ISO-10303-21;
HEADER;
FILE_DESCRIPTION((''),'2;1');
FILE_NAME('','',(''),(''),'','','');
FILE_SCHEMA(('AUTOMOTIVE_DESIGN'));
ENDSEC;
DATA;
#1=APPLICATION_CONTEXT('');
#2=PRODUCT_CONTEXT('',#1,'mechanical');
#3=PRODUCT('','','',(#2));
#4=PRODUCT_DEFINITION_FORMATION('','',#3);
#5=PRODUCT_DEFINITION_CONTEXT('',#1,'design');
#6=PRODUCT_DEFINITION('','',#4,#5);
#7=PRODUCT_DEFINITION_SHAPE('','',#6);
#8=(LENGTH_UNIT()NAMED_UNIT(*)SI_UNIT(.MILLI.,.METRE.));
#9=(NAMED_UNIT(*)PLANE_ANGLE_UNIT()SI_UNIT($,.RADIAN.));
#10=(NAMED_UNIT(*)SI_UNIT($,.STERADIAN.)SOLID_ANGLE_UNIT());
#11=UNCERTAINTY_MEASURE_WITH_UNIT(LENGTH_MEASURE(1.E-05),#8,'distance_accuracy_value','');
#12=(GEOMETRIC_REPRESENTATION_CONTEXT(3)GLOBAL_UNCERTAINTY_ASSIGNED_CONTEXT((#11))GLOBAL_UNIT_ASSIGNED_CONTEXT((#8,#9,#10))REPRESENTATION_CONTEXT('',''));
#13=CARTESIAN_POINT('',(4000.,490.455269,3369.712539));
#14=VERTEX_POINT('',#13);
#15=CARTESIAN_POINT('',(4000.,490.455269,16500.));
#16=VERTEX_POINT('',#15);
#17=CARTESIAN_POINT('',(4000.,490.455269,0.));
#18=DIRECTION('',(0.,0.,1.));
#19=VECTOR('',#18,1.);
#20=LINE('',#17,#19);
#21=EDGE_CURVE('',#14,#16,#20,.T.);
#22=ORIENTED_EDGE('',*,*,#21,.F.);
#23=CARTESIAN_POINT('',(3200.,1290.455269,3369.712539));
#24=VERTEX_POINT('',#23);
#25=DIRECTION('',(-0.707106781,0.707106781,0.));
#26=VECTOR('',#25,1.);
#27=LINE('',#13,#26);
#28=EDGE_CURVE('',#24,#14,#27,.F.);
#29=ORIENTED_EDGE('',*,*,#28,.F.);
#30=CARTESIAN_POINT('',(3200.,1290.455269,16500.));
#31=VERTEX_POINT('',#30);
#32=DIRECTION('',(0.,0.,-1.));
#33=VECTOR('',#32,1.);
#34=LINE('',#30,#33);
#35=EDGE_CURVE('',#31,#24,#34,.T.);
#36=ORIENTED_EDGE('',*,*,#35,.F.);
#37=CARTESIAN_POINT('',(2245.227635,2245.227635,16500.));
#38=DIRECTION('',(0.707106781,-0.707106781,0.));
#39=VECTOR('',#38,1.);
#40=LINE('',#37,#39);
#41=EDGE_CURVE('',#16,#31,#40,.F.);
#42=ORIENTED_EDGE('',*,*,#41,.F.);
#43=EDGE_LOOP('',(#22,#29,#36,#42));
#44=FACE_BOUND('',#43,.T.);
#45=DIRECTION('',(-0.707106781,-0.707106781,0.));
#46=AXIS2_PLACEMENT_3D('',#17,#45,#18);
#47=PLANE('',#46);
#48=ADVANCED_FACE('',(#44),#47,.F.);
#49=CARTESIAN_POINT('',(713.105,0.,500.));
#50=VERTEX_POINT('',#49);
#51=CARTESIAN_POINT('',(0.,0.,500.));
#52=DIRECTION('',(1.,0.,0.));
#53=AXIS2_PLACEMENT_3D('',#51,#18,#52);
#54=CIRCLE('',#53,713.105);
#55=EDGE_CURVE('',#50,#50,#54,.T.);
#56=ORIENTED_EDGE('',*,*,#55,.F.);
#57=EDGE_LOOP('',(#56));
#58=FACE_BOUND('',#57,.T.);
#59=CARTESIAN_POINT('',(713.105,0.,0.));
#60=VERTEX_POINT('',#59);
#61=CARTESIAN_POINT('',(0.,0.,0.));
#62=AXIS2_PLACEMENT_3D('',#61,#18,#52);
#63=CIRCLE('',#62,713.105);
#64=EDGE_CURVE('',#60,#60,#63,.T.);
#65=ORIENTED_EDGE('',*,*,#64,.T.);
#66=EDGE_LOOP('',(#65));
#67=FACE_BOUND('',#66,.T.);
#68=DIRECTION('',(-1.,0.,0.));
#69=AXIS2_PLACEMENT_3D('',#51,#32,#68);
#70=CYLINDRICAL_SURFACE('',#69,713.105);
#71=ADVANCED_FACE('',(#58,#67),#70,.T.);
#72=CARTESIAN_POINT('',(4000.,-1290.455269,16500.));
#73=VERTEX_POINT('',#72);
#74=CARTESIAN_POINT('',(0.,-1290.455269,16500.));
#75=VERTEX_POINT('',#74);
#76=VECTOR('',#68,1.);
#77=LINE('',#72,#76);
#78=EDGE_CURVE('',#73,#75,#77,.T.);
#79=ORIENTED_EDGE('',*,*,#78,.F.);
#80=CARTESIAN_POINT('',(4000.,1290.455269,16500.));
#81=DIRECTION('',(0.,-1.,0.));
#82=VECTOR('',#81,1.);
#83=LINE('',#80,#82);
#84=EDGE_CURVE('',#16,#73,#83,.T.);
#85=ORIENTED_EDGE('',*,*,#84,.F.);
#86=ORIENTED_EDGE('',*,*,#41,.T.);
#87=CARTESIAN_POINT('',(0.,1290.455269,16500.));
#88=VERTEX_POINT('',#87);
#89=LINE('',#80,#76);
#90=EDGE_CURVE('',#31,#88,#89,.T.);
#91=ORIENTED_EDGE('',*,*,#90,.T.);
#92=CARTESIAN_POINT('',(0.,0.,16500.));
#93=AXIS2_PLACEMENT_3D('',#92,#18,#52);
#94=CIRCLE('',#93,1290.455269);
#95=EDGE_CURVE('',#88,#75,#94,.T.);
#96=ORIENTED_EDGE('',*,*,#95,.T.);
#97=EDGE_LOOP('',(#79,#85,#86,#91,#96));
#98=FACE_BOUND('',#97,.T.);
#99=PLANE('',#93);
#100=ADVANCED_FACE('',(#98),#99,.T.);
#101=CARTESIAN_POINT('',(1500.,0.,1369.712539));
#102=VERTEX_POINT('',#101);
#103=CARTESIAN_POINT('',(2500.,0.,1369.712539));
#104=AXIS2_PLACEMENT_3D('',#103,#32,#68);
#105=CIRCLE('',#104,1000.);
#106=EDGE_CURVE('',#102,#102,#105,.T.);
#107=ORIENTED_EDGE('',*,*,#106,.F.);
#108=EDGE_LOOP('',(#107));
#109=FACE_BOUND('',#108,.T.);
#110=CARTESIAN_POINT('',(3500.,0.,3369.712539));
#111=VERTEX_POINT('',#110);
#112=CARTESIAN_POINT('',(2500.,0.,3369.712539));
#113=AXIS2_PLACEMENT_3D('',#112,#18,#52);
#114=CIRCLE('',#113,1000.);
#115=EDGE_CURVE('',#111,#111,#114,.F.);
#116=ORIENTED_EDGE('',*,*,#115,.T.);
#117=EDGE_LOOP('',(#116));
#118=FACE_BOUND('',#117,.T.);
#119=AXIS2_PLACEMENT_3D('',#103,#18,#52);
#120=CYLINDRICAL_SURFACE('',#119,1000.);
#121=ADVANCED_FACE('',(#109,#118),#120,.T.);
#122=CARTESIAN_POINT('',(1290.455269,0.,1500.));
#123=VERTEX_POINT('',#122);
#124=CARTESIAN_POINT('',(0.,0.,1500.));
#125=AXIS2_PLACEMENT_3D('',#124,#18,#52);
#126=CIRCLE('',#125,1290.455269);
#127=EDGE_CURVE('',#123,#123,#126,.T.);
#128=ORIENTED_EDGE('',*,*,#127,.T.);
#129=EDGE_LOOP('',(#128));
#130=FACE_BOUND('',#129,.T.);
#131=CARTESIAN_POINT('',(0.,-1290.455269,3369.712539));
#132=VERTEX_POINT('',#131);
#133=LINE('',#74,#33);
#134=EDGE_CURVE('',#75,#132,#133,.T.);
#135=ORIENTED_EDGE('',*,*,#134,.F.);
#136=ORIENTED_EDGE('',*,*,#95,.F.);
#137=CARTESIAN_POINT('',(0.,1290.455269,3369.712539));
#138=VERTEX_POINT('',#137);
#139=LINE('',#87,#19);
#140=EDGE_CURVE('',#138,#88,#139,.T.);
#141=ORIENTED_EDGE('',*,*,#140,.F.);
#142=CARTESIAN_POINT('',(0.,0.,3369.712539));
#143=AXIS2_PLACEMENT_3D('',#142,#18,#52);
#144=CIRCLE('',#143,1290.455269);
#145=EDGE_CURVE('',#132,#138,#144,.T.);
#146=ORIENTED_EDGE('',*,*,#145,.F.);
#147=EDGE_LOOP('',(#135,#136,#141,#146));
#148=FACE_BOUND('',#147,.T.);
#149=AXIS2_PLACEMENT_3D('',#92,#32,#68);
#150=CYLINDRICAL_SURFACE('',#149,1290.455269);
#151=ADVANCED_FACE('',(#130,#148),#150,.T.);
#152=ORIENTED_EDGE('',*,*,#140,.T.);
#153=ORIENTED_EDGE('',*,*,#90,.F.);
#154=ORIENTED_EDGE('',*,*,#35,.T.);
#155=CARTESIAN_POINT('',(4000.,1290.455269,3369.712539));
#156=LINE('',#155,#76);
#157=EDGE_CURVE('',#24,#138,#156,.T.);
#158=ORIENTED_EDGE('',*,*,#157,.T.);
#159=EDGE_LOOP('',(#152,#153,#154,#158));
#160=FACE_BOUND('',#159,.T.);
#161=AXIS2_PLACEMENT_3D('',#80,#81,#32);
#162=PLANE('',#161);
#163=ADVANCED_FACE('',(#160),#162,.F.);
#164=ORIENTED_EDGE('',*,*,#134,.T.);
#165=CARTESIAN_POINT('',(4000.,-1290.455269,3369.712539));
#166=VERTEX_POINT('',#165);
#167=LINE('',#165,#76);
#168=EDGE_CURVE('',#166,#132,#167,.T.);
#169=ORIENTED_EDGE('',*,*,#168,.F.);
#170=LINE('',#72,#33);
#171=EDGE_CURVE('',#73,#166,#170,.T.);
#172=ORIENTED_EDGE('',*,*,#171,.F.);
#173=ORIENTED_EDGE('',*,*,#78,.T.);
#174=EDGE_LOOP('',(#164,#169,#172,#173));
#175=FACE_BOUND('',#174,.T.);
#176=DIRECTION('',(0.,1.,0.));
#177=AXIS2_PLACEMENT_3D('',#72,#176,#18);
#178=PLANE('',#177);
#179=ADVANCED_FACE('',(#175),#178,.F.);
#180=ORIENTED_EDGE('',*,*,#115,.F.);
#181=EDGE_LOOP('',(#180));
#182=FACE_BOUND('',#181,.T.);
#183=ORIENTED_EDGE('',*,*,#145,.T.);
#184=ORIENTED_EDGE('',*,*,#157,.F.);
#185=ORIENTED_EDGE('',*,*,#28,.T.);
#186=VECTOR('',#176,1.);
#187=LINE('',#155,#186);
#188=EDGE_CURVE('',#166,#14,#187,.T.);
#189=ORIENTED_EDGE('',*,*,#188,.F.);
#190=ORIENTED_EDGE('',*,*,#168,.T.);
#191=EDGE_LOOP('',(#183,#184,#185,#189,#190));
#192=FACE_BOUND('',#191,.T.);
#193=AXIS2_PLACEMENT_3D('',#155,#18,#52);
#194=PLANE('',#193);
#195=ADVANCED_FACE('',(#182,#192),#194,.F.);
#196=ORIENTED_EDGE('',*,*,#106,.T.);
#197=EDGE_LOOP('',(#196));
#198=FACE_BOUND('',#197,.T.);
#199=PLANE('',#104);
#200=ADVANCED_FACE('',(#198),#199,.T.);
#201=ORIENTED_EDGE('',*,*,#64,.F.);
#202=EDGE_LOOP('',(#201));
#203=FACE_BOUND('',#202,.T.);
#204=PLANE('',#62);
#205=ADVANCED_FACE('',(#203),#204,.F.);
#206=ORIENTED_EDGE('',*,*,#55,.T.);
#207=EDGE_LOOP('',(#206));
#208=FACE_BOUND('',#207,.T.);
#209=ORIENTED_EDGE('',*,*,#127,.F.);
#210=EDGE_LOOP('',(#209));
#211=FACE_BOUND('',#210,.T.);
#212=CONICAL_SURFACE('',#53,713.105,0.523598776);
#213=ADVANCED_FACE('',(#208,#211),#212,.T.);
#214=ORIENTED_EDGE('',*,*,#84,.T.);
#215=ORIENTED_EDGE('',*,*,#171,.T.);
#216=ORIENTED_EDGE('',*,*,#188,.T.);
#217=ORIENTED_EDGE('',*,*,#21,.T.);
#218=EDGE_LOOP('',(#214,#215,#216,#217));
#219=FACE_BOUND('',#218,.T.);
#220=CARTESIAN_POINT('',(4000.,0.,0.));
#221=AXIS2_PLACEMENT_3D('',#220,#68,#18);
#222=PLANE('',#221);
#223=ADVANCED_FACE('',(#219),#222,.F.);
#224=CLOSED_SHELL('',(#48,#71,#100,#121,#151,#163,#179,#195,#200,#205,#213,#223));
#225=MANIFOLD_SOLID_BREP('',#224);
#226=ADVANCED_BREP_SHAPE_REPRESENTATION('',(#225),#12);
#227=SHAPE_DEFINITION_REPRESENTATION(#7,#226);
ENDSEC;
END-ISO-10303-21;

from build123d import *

# Parameters (mm, degrees)
SKETCH1_R           = 713.105
BOSS_EXTRUDE1_DEPTH = 500
SKETCH2_R           = 713.105
BOSS_EXTRUDE3_DEPTH = 1000
BOSS_EXTRUDE3_DRAFT = -30
SKETCH3_R           = 1290.45526919
BOSS_EXTRUDE4_DEPTH = 15000
SKETCH5_W           = 13130.287461106
SKETCH5_H           = 2580.91053838
BOSS_EXTRUDE5_DEPTH = 4000
SKETCH6_R           = 1000
BOSS_EXTRUDE6_DEPTH = 2000
CHAMFER1_SIZE       = 800


with BuildPart() as part:
    # Sketch1 → Boss-Extrude1 (new body)
    with BuildSketch(Plane.XY):
        Circle(SKETCH1_R)
    extrude(amount=BOSS_EXTRUDE1_DEPTH)


with BuildPart() as boss_extrude3_tool:
    # Sketch2 → Boss-Extrude3 (with draft: the straight prism first)
    with BuildSketch(Plane.XY.offset(500)):
        Circle(SKETCH2_R)
    extrude(amount=BOSS_EXTRUDE3_DEPTH)
    # Boss-Extrude3: the draft: its side faces are tilted about the plane it starts from
    boss_extrude3_sides = [boss_extrude3_tool.faces().sort_by_distance(p)[0] for p in [
        (-713.105, 0, 1000),
    ]]
    draft(boss_extrude3_sides, Plane.XY.offset(500), BOSS_EXTRUDE3_DRAFT)


with BuildPart() as part_1:
    add(part.part)

    # Boss-Extrude3: add boss_extrude3_tool
    add(boss_extrude3_tool.part)

    # Sketch3 → Boss-Extrude4 (add)
    with BuildSketch(Plane.XY.offset(1500)):
        Circle(SKETCH3_R)
    extrude(amount=BOSS_EXTRUDE4_DEPTH)

    # Sketch5 → Boss-Extrude5 (add)
    with BuildSketch(Plane(origin=(0, 0, 0), x_dir=(0, 0, -1), z_dir=(1, 0, 0))):
        with Locations((-9934.856269447, 0)):
            Rectangle(SKETCH5_W, SKETCH5_H)
    extrude(amount=BOSS_EXTRUDE5_DEPTH)

    # Sketch6 → Boss-Extrude6 (add)
    with BuildSketch(Plane(origin=(0, 0, 3369.712538894), x_dir=(-1, 0, 0), z_dir=(0, 0, -1))):
        with Locations(Location((-2500, 0, 0), (0, 0, 180))):
            Circle(SKETCH6_R)
    extrude(amount=BOSS_EXTRUDE6_DEPTH)

    # Chamfer1
    chamfer1_edges = [part_1.edges().sort_by_distance(p)[0] for p in [
        (4000, 1290.45526919, 9934.856269447),
    ]]
    chamfer(chamfer1_edges, length=CHAMFER1_SIZE)


solid = part_1.part
